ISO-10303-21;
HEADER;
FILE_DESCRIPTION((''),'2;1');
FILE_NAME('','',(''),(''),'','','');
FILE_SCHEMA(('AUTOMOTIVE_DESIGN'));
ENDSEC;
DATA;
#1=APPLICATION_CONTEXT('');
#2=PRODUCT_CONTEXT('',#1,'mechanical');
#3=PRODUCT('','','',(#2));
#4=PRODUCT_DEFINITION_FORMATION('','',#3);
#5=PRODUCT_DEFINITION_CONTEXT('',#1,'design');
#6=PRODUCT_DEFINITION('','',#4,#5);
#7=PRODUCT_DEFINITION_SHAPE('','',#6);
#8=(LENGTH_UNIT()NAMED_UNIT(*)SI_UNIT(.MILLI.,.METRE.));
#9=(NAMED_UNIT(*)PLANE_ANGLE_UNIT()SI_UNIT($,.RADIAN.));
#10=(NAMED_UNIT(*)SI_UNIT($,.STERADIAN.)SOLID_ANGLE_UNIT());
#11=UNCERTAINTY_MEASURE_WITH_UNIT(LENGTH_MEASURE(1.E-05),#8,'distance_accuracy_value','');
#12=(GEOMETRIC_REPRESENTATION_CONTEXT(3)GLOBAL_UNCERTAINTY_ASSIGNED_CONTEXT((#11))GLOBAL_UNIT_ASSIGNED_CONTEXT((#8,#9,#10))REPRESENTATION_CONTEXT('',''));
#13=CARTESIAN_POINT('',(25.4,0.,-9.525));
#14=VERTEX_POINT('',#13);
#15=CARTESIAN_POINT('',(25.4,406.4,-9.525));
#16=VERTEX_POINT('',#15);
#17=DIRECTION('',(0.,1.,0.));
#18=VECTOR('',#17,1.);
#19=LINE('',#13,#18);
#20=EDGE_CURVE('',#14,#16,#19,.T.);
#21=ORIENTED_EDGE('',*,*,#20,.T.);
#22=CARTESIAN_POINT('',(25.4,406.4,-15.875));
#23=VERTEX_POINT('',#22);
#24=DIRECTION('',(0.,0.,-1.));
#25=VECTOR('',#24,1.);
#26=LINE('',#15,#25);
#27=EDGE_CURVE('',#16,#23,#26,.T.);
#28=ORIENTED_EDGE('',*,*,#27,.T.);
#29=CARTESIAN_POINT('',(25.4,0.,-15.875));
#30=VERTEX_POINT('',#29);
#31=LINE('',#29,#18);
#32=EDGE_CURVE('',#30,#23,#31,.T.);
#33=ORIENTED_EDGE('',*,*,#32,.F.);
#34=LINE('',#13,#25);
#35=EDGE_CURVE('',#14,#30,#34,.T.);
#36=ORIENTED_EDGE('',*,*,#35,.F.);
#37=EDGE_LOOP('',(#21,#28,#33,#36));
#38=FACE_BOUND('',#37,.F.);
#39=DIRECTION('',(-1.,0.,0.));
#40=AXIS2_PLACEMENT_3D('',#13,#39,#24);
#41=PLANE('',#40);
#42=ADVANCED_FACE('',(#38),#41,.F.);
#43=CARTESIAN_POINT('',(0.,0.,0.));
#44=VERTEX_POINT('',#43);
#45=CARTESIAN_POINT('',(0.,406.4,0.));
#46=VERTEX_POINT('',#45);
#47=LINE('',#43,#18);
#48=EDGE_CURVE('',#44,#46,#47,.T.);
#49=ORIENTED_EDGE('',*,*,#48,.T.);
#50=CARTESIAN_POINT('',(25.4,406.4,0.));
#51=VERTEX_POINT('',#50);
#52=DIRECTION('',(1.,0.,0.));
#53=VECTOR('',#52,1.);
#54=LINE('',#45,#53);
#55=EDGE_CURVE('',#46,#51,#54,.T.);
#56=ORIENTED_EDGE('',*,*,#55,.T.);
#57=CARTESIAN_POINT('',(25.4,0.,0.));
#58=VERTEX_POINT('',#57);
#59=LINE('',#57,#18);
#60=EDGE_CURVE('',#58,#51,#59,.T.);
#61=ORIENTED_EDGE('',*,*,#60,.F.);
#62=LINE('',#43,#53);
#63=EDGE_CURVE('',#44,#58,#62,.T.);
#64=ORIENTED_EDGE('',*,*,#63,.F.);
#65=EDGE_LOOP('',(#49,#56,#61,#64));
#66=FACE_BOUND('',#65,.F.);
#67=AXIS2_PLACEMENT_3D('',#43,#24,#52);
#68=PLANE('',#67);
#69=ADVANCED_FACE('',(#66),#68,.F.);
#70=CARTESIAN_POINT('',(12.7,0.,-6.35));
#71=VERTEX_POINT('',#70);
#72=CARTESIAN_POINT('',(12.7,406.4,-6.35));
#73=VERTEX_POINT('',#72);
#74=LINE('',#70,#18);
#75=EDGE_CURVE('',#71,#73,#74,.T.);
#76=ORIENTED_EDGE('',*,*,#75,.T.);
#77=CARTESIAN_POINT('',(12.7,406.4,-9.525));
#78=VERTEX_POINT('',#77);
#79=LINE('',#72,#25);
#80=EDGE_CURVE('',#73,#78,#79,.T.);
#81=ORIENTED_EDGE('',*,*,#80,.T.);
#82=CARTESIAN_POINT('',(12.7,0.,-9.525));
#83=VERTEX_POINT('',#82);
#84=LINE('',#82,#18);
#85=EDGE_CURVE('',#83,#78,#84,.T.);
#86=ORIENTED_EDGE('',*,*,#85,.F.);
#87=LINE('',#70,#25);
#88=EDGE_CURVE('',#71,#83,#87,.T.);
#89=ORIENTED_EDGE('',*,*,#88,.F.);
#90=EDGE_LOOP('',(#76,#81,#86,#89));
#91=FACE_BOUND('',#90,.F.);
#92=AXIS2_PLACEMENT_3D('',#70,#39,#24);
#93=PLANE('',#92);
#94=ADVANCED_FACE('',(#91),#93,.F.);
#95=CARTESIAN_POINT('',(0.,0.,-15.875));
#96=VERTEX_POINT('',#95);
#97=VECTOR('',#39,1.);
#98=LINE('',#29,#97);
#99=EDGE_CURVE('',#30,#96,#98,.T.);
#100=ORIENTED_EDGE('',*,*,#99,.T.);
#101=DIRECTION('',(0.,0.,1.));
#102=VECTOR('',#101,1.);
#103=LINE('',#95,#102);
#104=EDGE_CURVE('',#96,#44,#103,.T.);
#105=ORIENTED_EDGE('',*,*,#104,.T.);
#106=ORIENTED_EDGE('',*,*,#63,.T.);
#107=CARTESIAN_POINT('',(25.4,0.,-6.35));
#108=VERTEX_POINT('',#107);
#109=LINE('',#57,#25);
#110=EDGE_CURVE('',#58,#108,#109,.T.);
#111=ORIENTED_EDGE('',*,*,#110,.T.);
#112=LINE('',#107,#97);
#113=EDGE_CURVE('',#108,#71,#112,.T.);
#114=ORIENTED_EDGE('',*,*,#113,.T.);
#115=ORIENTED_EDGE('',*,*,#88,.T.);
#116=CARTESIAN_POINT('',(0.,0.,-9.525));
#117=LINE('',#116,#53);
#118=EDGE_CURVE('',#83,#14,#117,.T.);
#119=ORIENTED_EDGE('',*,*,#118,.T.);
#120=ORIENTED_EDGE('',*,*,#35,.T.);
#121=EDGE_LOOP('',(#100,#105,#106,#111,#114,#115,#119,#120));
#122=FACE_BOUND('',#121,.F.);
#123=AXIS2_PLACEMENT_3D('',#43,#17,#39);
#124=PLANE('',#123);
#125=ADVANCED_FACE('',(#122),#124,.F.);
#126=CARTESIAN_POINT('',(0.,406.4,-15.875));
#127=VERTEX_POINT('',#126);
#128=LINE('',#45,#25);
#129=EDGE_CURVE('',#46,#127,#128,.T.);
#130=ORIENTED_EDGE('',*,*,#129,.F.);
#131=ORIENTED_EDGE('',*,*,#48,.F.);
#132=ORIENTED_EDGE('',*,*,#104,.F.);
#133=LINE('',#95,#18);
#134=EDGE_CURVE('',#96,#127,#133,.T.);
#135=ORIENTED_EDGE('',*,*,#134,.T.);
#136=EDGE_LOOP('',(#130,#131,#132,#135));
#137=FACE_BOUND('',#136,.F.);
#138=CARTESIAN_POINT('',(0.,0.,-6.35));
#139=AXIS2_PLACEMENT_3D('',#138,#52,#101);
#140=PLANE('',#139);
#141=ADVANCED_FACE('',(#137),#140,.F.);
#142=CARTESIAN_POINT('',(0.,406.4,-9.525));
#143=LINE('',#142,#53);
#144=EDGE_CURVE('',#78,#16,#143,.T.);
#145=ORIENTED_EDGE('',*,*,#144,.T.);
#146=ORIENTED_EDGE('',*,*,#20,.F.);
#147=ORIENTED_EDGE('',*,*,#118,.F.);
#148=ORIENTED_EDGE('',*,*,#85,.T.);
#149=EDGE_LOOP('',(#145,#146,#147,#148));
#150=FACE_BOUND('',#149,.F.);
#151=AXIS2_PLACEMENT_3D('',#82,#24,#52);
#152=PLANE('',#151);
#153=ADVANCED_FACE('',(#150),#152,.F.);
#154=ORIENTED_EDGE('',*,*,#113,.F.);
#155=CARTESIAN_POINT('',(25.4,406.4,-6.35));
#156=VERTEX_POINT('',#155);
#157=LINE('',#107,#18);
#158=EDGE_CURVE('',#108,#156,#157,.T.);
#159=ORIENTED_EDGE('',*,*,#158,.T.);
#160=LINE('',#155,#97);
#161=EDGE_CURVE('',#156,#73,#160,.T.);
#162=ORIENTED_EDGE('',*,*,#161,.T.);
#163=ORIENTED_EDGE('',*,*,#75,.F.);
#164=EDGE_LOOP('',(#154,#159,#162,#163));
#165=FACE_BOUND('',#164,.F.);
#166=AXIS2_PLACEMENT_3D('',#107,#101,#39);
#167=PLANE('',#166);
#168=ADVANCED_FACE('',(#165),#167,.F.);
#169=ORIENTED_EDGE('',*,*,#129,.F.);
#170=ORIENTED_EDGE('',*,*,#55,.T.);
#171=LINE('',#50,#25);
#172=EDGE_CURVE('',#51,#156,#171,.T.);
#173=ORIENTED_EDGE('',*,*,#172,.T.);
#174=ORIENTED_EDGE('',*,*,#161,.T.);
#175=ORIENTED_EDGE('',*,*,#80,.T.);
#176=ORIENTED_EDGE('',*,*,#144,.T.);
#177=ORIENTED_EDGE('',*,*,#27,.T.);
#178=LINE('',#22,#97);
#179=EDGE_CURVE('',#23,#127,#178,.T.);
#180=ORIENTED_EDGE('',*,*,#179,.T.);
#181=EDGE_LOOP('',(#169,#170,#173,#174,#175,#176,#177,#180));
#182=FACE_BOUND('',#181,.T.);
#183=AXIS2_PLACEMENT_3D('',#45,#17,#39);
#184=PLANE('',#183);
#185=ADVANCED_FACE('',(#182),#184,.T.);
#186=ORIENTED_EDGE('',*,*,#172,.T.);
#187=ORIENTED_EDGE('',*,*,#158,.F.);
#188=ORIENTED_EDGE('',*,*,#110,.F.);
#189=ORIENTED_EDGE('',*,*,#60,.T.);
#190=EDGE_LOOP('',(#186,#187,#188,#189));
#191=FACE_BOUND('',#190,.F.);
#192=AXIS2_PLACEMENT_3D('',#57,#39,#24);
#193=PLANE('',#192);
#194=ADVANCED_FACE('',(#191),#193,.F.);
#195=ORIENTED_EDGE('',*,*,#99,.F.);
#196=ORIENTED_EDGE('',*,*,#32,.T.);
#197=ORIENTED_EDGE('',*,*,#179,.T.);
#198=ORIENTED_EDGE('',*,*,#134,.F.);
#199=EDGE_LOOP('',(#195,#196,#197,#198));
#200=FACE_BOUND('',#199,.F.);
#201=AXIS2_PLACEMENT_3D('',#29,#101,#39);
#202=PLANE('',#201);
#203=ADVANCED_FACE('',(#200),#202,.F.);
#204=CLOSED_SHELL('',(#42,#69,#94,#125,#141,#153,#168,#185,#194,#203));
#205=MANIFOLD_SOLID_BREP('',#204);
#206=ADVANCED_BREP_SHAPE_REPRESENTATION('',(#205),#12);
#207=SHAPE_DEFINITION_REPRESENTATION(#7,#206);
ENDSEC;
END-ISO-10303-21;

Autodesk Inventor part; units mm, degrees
ref_plane "YZ Plane" through (0, 0, 0) normal (1, 0, 0) x (0, 1, 0)
ref_plane "XZ Plane" through (0, 0, 0) normal (0, 1, 0) x (-1, 0, 0)
ref_plane "XY Plane" through (0, 0, 0) normal (0, 0, 1) x (1, 0, 0)
sketch "Sketch1" plane through (0, 0, 0) normal (0, 1, 0) x (-1, 0, 0)
  line L0 (0, 0) -> (-25.4, 0)
  line L1 (-25.4, 0) -> (-25.4, -6.35)
  line L2 (-25.4, -6.35) -> (0, -6.35)
  line L3 (0, -6.35) -> (0, 0)
  line L4 (0, -6.35) -> (-12.7, -6.35)
  line L5 (-12.7, -6.35) -> (-12.7, -9.525)
  line L6 (-12.7, -9.525) -> (0, -9.525)
  line L7 (0, -9.525) -> (0, -6.35)
  line L8 (0, -9.525) -> (-25.4, -9.525)
  line L9 (-25.4, -9.525) -> (-25.4, -15.875)
  line L10 (-25.4, -15.875) -> (0, -15.875)
  line L11 (0, -15.875) -> (0, -9.525)
  dimension "d0" = 25.4
  dimension "d1" = 6.35
  dimension "d2" = 12.7
  dimension "d3" = 3.175
  dimension "d4" = 25.4
  dimension "d5" = 6.35
extrude "Extrusion1" add sketch "Sketch1" along normal blind 406.4
properties part number "window frame short"
